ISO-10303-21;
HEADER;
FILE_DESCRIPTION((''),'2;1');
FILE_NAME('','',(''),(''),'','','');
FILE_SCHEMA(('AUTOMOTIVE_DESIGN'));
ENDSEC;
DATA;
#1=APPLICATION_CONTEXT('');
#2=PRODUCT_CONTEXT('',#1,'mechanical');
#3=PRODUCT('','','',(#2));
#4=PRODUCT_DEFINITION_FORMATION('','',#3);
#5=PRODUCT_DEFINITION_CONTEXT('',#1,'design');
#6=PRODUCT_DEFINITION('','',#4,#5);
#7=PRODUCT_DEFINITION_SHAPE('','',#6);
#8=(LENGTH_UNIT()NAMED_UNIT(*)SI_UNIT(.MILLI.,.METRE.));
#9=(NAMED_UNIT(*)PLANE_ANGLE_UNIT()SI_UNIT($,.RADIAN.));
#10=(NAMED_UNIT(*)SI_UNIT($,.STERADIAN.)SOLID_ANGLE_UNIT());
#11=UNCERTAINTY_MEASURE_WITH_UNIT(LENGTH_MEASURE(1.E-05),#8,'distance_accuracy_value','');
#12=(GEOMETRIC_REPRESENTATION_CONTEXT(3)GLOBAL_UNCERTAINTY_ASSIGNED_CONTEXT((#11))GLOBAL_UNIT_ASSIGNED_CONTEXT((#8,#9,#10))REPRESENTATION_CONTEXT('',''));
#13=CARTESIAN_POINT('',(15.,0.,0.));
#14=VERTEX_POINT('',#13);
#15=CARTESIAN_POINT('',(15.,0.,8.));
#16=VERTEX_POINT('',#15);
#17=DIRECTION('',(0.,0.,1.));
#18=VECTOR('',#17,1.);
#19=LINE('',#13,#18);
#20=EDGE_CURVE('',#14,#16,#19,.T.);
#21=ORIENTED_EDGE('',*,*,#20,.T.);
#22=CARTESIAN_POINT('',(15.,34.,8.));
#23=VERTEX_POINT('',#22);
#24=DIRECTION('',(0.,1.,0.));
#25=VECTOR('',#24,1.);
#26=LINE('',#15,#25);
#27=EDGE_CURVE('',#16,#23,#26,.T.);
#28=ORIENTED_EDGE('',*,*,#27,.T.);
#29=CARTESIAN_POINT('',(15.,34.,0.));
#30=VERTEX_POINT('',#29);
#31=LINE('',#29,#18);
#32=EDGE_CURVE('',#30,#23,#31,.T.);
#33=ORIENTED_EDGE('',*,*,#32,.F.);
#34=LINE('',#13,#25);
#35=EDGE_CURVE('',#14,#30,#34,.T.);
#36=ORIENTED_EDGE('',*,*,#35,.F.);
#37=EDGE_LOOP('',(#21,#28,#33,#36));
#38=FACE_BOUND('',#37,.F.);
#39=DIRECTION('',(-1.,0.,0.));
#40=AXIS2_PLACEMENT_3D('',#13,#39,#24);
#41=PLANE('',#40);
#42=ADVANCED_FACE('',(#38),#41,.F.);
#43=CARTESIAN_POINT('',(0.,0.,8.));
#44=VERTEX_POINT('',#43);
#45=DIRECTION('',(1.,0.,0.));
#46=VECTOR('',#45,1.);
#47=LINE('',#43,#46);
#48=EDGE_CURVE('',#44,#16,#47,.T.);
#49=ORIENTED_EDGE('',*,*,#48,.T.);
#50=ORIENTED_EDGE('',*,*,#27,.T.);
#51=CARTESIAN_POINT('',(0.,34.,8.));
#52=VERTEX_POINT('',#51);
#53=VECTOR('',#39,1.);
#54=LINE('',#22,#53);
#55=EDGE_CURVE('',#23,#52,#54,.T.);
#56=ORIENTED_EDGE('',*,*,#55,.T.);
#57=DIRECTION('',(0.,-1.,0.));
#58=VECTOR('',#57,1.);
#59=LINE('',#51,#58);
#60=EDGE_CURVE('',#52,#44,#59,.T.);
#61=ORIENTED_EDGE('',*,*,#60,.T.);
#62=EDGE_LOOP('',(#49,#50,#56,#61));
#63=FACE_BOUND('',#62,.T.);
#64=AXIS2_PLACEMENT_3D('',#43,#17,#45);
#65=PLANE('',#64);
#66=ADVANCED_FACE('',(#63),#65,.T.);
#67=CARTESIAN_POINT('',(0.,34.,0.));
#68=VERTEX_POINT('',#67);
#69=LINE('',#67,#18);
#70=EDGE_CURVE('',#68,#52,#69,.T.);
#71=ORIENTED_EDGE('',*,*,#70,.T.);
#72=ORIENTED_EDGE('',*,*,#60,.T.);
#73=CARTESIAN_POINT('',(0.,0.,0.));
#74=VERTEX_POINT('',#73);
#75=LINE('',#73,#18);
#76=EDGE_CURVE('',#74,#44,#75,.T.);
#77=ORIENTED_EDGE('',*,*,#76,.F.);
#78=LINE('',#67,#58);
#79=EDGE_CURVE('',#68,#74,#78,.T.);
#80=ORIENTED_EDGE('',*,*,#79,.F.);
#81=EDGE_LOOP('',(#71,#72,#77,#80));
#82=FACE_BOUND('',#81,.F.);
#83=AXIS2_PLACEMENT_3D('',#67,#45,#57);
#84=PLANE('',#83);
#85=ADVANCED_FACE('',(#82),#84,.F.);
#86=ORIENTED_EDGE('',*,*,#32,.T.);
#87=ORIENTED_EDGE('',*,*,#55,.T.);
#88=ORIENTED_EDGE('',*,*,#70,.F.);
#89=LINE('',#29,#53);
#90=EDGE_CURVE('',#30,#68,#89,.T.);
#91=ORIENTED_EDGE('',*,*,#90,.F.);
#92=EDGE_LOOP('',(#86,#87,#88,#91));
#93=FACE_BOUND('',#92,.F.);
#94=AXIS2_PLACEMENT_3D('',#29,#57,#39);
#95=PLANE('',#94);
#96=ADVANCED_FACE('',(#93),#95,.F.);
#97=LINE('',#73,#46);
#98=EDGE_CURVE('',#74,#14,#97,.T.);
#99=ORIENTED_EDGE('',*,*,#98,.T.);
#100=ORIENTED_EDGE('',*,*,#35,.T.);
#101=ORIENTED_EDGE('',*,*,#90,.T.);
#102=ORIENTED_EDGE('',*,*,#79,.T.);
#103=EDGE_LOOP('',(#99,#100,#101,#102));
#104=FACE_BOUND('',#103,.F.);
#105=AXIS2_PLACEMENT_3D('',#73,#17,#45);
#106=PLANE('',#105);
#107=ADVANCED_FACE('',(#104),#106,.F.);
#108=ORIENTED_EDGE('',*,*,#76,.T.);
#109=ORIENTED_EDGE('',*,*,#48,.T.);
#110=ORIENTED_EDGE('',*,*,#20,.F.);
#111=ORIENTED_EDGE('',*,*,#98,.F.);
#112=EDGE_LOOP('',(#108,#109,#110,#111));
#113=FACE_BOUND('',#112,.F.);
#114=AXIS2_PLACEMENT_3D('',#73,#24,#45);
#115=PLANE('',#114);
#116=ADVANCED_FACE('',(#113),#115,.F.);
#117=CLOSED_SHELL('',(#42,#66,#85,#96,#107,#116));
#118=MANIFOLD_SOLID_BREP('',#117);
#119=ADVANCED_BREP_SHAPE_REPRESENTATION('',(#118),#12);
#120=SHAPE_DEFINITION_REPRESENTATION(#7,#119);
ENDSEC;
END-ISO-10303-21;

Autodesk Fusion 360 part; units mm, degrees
sketch "Sketch1" plane through (0, 0, 0) normal (0, 0, 1) x (1, 0, 0)
  line L0 (0, 0) -> (15, 0)
  line L1 (15, 0) -> (15, 34)
  line L2 (15, 34) -> (0, 34)
  line L3 (0, 34) -> (0, 0)
  dimension "d1" = 15
  dimension "d2" = 34
extrude "Extrude1" add sketch "Sketch1" along normal blind 8
